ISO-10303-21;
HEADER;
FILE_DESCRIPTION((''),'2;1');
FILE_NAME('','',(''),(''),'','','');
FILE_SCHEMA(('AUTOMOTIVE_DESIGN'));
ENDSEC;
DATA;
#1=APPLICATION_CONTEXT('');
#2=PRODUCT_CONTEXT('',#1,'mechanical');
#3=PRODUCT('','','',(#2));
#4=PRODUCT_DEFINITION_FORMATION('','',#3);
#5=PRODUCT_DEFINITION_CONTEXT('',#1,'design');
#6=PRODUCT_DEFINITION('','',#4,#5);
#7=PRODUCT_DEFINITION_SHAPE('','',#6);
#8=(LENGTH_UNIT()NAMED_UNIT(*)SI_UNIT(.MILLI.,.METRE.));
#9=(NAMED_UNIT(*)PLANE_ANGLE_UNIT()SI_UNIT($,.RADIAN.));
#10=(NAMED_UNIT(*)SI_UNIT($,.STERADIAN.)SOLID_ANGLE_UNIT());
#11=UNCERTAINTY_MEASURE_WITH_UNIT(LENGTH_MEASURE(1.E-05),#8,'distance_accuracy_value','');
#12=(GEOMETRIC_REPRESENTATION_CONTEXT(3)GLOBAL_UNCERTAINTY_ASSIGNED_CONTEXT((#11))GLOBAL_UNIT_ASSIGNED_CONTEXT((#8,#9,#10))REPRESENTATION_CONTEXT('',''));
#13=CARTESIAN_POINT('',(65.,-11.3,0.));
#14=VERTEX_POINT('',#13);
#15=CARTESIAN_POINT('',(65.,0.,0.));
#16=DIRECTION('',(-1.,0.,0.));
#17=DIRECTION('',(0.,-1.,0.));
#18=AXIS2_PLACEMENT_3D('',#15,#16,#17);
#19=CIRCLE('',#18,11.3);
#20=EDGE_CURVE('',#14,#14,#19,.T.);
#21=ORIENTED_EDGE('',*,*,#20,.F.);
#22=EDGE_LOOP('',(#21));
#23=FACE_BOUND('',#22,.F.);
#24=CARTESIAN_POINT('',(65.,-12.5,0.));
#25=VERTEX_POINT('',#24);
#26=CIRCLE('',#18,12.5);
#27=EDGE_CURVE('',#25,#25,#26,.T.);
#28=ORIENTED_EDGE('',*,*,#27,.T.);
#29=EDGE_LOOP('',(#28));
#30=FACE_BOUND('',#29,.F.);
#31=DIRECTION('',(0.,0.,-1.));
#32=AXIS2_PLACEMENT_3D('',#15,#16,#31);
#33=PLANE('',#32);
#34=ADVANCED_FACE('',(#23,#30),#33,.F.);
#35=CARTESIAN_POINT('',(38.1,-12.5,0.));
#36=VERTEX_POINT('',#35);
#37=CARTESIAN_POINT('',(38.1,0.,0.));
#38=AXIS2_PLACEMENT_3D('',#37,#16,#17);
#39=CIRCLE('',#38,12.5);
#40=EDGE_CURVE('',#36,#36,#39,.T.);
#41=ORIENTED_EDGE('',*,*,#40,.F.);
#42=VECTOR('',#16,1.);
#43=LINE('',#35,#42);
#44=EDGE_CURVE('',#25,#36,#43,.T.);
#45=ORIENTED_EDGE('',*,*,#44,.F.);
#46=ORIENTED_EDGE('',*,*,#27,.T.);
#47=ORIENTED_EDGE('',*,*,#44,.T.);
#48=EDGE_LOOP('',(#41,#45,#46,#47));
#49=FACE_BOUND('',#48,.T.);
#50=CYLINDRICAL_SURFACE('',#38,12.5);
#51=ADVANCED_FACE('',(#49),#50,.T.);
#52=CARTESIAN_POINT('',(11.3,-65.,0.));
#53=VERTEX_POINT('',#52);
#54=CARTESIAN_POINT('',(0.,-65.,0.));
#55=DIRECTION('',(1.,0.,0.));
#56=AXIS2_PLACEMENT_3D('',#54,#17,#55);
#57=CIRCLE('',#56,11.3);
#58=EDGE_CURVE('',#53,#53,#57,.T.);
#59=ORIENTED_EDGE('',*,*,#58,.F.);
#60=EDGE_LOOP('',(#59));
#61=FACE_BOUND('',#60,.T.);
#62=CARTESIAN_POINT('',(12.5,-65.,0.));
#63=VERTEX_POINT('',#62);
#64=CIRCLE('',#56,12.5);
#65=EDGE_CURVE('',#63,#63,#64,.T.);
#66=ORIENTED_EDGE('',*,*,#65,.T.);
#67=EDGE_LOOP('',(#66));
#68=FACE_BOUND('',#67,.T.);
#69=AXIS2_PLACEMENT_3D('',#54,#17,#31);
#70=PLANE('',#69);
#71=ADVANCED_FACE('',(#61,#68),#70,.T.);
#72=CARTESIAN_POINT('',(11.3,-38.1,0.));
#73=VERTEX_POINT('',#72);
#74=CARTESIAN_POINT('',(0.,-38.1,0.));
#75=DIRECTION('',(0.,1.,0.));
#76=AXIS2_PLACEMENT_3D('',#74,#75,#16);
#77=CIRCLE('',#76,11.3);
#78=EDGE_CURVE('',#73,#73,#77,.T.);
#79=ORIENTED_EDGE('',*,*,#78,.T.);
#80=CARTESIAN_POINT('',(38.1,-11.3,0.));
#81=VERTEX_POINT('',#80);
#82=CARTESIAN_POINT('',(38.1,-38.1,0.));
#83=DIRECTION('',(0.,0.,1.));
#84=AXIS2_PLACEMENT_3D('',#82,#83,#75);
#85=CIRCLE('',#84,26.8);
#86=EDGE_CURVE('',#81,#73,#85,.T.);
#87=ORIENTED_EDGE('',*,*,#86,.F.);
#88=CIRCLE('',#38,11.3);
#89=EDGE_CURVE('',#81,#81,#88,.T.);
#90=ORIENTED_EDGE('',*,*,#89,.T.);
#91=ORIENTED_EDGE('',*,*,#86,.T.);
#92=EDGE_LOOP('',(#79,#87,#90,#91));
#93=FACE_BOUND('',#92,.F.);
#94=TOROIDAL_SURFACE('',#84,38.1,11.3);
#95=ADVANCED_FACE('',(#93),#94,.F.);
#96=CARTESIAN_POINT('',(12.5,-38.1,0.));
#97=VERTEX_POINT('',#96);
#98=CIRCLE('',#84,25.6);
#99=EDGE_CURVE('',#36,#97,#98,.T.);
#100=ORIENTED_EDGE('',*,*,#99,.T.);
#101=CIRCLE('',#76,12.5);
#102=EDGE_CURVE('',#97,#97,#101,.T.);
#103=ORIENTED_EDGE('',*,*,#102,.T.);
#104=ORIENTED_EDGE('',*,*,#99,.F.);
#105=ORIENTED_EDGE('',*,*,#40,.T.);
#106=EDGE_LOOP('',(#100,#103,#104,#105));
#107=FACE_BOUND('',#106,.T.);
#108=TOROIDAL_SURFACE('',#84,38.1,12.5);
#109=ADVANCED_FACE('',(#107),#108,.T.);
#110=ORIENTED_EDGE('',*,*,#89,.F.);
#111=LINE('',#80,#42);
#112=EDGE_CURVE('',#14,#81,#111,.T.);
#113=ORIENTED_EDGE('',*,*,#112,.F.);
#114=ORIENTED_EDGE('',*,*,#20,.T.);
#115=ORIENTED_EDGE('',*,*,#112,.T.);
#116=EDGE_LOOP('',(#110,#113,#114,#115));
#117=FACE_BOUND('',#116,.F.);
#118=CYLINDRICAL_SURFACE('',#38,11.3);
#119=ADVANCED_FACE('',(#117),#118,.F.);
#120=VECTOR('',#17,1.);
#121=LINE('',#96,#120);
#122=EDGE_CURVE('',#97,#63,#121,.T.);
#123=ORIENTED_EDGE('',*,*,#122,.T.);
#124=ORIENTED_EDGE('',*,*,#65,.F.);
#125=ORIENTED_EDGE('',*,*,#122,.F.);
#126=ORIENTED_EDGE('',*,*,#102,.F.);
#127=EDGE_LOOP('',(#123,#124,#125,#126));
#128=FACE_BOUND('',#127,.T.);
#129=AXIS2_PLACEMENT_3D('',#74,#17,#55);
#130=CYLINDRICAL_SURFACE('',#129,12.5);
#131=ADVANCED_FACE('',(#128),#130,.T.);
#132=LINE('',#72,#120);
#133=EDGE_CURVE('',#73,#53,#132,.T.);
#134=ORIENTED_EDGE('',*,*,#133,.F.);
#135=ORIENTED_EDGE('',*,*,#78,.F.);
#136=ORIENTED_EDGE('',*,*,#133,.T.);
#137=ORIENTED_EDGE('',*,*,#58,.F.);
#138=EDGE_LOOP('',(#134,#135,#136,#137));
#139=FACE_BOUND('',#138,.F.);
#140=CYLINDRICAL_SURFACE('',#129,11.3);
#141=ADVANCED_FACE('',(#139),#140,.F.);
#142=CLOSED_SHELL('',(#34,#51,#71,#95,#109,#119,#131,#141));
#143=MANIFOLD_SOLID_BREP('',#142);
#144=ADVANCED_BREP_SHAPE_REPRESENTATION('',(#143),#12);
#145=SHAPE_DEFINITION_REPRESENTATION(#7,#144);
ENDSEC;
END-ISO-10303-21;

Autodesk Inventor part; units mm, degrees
ref_plane "YZ Plane" through (0, 0, 0) normal (1, 0, 0) x (0, 1, 0)
ref_plane "XZ Plane" through (0, 0, 0) normal (0, 1, 0) x (-1, 0, 0)
sketch "Szkic6" plane through (0, 0, 0) normal (0, 0, 1) x (1, 0, 0)
  line L0 (-29.6067, 0) -> (35.2678, 0) construction
  line L1 (0, 42.3419) -> (0, -58.3726) construction
  arc A0 (38.1, 0) -> (0, -38.1) centre (38.1, -38.1) ccw
  line L2 (0, -38.1) -> (38.1, -38.1) construction
  line L3 (38.1, -38.1) -> (38.1, 27.4331) construction
  line L4 (38.1, 0) -> (65, 0)
  line L5 (0, -38.1) -> (0, -65)
  point P0 (0, 0)
  dimension "d24" = 38.1
  dimension "d31" = 90
  dimension "d36" = 26.9
  dimension "d37" = 26.9
ref_plane "Płaszczyzna konstrukcyjna2" through (0, -38.1, 0) normal (0, -1, 0) x (1, 0, 0)
sketch "Szkic8" plane through (0, -38.1, 0) normal (0, -1, 0) x (1, 0, 0)
  circle A0 centre (0, 0) radius 12.5
  circle A1 centre (0, 0) radius 11.3
  dimension "d32" = 25
  dimension "d33" = 1.2
sweep "Przeciągnięcie2" add profiles "Szkic8" path "Szkic6"
equation "\"d32\" = OD"
equation "\"d33\" = THK"
equation "\"d24\" = R"
equation "\"d31\" = KAT"
equation "\"d36\" = PROSTKA"
equation "\"d37\" = PROSTKA"
equation "\"SzerokośćGięciaPodcięcia\" = Grubość"
equation "\"RozmiarPodcięciaNarożnika\" = 4 * Grubość"
equation "\"PromieńPrzejścia\" = PromieńGięcia"
equation "\"Rozmiar_promienia_Jacobiego\" = PromieńGięcia"
equation "\"Wielk_odstępu\" = Grubość"
equation "\"d2\" = PromieńGięcia"
equation "\"d23\" = PromieńGięcia"
equation "\"R\" = 38.1"
equation "\"OD\" = 25"
equation "\"THK\" = 1.2"
equation "\"KAT\" = 90deg"
equation "\"PROSTKA\" = 26.9"
equation "\"Grubość\" = 1.5"
equation "\"PromieńGięcia\" = 3"
properties part number "Kolano 90° ø25x1,2 R38,1" material "304L"
